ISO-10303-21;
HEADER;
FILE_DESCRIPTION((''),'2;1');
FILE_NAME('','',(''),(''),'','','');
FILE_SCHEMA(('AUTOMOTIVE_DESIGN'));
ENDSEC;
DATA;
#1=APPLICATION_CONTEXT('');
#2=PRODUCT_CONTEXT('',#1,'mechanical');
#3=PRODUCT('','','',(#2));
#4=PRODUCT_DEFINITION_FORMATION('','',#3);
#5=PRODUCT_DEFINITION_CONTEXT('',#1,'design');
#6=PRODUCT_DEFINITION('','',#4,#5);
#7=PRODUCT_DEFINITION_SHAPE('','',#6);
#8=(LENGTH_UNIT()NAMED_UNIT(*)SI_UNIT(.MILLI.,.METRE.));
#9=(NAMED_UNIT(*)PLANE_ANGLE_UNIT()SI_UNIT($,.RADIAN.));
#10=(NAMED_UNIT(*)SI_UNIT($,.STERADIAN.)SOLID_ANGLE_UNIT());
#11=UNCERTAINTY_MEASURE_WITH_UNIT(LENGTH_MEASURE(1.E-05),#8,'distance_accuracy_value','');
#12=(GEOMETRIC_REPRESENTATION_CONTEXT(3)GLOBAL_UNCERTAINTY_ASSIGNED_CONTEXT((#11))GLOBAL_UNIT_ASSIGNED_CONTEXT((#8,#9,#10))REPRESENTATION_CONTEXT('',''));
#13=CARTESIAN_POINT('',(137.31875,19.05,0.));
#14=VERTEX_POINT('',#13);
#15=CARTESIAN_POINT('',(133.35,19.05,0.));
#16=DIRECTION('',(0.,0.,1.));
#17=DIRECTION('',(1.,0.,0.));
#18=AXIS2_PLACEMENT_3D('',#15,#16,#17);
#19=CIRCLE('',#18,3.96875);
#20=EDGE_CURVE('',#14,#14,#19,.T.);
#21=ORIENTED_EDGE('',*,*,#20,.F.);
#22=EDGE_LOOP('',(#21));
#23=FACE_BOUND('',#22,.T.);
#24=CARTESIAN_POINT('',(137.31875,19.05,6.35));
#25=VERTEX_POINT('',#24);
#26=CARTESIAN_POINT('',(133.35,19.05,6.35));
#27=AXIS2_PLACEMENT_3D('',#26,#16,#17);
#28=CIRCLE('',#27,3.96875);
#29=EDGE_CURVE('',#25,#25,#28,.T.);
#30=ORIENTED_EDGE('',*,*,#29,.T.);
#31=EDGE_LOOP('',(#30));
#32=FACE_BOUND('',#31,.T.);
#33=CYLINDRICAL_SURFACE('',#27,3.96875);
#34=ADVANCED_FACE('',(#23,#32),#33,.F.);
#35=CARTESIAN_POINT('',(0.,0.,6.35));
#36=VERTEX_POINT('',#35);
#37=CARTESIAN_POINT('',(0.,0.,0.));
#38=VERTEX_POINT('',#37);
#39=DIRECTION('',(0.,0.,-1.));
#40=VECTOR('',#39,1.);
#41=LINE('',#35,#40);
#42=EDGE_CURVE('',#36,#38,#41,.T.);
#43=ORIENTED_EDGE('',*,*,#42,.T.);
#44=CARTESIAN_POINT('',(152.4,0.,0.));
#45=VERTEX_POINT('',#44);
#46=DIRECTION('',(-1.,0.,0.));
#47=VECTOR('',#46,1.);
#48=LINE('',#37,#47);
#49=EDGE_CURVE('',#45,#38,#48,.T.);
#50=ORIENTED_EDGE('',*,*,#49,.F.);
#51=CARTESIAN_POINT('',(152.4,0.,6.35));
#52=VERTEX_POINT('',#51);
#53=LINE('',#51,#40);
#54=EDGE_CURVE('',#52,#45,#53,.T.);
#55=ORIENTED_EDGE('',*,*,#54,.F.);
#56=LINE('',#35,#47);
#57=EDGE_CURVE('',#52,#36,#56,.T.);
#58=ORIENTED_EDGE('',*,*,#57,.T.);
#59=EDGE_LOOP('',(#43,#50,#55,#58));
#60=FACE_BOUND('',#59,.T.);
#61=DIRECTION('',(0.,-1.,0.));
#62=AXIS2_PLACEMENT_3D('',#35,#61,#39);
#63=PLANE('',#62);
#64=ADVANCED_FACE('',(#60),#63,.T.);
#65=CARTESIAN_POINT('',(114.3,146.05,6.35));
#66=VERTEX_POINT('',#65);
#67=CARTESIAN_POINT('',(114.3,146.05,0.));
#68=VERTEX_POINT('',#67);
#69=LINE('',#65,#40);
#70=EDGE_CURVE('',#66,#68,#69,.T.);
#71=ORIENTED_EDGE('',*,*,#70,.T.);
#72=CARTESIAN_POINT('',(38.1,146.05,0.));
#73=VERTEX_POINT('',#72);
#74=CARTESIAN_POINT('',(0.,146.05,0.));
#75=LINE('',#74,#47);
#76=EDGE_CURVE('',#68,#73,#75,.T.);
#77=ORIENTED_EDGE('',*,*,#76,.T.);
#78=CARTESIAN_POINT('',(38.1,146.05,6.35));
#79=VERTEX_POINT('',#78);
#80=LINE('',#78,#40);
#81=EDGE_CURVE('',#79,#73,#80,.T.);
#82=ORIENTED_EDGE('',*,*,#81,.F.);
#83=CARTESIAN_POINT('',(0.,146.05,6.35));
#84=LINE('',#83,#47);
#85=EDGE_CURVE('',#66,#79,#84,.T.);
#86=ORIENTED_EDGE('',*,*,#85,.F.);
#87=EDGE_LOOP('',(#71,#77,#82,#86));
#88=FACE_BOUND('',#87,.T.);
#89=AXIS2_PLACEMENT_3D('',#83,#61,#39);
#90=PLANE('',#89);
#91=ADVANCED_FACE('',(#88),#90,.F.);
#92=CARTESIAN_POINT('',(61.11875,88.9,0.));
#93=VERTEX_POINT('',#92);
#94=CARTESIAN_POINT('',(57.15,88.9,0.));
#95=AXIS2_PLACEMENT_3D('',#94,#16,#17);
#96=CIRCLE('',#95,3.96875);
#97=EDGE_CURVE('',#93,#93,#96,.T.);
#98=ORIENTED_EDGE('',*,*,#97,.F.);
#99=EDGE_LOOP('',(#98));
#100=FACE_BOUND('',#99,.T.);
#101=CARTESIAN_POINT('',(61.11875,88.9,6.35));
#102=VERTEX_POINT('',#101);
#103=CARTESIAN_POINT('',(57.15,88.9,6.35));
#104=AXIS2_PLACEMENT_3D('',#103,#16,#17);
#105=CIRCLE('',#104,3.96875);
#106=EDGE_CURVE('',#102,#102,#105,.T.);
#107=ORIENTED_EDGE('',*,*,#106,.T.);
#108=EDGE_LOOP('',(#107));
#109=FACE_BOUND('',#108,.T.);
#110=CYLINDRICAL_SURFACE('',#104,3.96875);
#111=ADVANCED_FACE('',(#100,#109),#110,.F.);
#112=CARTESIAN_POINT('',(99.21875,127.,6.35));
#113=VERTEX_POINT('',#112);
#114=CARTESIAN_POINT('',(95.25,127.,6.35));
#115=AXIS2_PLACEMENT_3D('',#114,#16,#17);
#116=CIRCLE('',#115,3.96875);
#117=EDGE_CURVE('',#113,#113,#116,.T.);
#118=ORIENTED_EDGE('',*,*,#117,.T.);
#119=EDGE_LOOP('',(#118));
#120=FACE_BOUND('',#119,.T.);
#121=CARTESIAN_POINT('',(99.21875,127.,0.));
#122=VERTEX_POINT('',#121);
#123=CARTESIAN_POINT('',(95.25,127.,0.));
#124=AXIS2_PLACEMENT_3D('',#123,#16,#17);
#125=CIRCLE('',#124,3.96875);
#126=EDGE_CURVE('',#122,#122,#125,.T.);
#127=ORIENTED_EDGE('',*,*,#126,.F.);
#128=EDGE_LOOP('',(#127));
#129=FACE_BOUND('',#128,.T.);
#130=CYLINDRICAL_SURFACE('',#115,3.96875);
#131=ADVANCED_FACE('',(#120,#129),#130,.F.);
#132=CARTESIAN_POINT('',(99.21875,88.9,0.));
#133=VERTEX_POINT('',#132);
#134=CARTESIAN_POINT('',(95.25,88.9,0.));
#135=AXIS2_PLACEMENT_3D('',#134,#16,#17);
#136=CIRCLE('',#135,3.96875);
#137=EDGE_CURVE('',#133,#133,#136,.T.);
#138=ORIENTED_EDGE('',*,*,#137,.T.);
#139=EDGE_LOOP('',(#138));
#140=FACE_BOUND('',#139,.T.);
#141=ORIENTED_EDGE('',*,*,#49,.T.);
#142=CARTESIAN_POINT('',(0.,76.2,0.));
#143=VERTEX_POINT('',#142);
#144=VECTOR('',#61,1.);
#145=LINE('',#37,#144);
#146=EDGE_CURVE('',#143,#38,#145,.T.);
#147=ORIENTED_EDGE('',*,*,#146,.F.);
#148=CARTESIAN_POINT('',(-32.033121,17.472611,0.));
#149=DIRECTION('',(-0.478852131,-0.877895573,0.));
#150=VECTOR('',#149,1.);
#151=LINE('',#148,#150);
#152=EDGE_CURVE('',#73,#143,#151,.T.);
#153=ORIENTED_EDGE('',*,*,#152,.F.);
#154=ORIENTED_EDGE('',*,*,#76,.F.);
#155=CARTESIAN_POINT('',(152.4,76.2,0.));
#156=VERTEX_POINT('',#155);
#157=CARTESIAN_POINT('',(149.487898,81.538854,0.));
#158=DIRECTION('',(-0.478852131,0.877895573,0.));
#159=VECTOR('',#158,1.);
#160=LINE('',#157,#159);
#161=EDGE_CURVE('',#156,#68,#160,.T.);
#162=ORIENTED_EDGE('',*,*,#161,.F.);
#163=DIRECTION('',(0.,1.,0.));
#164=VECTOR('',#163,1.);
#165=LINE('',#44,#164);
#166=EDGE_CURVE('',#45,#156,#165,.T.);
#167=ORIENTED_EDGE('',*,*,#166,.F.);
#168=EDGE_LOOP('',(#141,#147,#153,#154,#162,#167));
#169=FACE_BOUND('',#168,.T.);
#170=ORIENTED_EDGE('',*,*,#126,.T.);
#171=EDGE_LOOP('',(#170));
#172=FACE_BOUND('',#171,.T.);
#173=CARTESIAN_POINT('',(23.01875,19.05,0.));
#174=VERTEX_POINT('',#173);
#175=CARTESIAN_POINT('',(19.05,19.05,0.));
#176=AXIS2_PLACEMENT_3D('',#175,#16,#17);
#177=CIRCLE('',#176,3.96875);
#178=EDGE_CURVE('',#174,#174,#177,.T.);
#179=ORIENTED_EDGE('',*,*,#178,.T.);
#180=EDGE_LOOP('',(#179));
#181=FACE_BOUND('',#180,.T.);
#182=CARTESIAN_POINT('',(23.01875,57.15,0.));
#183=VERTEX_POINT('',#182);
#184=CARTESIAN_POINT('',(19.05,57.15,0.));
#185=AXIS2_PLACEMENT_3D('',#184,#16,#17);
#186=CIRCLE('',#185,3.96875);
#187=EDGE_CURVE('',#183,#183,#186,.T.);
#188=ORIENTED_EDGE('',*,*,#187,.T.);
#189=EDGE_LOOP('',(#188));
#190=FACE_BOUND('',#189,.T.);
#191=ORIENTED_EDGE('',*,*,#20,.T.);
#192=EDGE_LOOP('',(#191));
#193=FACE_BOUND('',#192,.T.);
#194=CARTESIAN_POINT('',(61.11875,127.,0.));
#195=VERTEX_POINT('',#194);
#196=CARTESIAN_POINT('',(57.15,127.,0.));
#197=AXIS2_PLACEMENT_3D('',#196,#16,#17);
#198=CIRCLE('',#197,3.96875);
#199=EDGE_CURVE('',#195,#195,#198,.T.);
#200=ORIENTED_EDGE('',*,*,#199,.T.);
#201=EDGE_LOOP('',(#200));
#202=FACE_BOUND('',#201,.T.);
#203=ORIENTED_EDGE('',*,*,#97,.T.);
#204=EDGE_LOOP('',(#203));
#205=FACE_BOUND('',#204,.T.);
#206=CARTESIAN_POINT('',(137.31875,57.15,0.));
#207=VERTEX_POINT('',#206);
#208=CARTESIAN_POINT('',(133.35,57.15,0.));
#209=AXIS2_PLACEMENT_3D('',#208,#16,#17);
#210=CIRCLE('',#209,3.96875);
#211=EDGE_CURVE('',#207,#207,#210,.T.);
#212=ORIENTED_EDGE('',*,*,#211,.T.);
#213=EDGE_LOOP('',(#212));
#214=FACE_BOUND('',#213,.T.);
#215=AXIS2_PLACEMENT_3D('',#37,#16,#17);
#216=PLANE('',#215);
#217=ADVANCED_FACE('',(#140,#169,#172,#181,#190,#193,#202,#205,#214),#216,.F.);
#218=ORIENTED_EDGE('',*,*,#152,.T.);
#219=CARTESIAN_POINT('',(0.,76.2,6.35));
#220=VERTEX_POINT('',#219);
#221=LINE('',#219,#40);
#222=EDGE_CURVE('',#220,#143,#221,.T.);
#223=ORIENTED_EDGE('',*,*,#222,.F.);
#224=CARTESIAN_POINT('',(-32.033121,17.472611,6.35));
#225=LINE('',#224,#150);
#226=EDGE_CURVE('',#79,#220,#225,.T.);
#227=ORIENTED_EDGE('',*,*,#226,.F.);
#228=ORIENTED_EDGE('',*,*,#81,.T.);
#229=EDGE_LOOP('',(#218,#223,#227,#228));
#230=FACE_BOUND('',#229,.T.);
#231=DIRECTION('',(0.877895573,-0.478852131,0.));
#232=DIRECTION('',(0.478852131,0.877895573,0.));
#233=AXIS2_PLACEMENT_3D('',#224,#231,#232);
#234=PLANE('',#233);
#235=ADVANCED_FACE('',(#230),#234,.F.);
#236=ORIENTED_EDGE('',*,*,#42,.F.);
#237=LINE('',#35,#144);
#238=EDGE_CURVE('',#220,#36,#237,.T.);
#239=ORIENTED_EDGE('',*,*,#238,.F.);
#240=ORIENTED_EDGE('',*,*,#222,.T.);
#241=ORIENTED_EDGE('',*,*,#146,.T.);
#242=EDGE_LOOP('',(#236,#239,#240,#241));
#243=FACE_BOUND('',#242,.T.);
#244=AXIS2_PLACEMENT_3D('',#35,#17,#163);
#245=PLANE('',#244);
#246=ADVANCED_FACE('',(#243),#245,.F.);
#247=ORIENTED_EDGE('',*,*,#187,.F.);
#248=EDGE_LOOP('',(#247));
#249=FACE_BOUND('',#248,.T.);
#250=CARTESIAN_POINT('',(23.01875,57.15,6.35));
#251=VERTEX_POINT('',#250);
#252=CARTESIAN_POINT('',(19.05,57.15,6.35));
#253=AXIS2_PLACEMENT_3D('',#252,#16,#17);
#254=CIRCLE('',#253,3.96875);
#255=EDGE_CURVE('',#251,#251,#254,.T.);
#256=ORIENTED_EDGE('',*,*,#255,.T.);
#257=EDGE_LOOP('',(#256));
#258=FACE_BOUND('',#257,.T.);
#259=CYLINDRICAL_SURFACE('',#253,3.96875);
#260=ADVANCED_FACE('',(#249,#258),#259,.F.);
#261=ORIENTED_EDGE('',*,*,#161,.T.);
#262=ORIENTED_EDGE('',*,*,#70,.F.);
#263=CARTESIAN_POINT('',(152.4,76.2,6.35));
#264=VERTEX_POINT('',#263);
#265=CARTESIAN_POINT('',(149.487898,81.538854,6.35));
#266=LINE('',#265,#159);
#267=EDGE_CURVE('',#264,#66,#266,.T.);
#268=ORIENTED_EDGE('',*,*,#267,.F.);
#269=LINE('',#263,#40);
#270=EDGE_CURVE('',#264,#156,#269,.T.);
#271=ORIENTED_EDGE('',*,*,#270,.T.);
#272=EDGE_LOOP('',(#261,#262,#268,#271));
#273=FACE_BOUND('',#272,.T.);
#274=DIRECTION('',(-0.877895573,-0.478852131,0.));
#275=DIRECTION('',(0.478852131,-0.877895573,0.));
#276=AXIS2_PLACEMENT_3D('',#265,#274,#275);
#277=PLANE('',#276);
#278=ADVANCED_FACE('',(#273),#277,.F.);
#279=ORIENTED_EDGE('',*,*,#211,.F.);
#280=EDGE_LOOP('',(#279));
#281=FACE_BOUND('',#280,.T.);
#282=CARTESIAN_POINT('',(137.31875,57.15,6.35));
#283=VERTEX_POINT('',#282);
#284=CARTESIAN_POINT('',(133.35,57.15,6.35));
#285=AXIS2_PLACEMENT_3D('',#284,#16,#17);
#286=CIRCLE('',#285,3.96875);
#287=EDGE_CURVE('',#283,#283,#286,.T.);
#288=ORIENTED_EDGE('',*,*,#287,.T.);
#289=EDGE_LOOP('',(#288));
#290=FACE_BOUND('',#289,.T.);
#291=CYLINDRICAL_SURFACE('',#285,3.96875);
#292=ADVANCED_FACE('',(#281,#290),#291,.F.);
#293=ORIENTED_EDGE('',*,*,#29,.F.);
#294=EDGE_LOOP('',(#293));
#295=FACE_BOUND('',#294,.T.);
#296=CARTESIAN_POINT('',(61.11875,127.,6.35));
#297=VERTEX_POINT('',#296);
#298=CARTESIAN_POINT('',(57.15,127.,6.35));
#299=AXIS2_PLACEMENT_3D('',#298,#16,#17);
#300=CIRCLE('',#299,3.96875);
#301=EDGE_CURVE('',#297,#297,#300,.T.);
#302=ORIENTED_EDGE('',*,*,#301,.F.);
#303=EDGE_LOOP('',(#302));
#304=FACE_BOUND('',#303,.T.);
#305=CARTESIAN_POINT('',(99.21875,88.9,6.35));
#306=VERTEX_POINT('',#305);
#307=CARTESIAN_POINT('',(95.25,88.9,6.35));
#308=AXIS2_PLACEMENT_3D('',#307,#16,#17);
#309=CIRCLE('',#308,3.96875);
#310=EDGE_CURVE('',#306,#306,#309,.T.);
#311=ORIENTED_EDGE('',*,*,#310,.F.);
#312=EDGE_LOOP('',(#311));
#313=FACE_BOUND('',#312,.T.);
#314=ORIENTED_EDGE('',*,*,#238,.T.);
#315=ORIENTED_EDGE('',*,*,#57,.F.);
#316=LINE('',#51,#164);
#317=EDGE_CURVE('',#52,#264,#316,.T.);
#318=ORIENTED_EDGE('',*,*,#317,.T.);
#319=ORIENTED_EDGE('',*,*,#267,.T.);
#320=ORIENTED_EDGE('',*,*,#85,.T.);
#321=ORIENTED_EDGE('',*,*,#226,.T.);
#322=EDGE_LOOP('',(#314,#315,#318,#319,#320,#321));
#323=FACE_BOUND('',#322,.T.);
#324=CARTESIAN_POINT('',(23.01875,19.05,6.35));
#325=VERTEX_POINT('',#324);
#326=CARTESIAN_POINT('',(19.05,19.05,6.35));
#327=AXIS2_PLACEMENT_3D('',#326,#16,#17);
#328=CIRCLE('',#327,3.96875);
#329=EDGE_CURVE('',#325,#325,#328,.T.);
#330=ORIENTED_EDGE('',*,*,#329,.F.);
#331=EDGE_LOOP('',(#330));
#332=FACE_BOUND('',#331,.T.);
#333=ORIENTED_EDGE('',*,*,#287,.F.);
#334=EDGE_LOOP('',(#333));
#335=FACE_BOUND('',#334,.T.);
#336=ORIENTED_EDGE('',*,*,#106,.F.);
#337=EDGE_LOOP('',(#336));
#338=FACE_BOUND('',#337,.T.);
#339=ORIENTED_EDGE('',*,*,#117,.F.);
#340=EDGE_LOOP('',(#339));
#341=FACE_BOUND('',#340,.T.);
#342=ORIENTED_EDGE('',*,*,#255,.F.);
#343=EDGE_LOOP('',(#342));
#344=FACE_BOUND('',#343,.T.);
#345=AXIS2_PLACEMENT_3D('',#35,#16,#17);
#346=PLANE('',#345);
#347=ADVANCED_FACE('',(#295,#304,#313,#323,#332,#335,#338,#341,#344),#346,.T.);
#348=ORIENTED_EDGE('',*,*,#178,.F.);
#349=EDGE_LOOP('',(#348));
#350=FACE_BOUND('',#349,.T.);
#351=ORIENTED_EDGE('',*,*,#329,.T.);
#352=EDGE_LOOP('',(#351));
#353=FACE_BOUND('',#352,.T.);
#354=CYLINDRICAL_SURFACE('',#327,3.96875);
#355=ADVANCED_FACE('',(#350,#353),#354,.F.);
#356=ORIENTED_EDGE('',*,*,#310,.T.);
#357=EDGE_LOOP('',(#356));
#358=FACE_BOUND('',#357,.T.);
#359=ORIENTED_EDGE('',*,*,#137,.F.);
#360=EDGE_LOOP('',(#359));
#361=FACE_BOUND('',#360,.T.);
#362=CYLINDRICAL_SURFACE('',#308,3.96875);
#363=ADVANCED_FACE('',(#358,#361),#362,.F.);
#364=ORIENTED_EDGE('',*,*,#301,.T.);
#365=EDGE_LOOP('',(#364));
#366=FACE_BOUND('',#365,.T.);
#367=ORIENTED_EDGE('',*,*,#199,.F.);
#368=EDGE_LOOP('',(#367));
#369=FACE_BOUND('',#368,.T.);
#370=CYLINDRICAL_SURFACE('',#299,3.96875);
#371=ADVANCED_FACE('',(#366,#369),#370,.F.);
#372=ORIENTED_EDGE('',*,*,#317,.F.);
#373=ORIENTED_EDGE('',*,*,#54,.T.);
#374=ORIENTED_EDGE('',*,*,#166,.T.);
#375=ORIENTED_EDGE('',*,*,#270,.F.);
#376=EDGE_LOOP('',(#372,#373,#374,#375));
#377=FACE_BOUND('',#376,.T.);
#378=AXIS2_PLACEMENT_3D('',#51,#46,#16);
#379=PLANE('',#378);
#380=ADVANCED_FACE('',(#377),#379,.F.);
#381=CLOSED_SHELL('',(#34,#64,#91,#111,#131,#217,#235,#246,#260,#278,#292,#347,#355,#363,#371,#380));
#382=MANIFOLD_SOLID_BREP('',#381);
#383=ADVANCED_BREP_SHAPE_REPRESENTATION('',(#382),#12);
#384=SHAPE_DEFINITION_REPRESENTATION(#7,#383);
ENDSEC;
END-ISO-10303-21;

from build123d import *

# Parameters (mm, degrees)
SKETCH1_W                      = 38.1
SKETCH1_H                      = 38.1
SKETCH1_W_2                    = 114.3
BOSS_EXTRUDE1_DEPTH            = 6.35
F_5_16_0_3125_DIAMETER_HOLE1_D = 7.9375


with BuildPart() as part:
    # Sketch1 → Boss-Extrude1 (new body)
    # profile 1 of 3: a face of its own
    with BuildSketch(Plane.XY):
        Polygon((152.4, 0), (0, 0), (0, 76.2), (38.1, 146.05), (114.3, 146.05), (152.4, 76.2), align=None)
        with Locations((76.2, 107.95)):
            Rectangle(SKETCH1_W, SKETCH1_H, mode=Mode.SUBTRACT)
        with Locations((76.2, 38.1)):
            Rectangle(SKETCH1_W_2, SKETCH1_H, mode=Mode.SUBTRACT)
    # profile 2 of 3: a face of its own
    with BuildSketch(Plane.XY):
        with Locations((76.2, 107.95)):
            Rectangle(SKETCH1_W, SKETCH1_H)
    # profile 3 of 3: a face of its own
    with BuildSketch(Plane.XY):
        with Locations((76.2, 38.1)):
            Rectangle(SKETCH1_W_2, SKETCH1_H)
    extrude(amount=BOSS_EXTRUDE1_DEPTH)

    # 5/16 (0.3125) Diameter Hole1 (through all)
    with Locations(Plane.XY.offset(6.35)):
        with Locations((19.05, 19.05), (19.05, 57.15), (57.15, 88.9), (57.15, 127), (95.25, 127), (95.25, 88.9), (133.35, 57.15), (133.35, 19.05)):
            Hole(F_5_16_0_3125_DIAMETER_HOLE1_D / 2)


solid = part.part
